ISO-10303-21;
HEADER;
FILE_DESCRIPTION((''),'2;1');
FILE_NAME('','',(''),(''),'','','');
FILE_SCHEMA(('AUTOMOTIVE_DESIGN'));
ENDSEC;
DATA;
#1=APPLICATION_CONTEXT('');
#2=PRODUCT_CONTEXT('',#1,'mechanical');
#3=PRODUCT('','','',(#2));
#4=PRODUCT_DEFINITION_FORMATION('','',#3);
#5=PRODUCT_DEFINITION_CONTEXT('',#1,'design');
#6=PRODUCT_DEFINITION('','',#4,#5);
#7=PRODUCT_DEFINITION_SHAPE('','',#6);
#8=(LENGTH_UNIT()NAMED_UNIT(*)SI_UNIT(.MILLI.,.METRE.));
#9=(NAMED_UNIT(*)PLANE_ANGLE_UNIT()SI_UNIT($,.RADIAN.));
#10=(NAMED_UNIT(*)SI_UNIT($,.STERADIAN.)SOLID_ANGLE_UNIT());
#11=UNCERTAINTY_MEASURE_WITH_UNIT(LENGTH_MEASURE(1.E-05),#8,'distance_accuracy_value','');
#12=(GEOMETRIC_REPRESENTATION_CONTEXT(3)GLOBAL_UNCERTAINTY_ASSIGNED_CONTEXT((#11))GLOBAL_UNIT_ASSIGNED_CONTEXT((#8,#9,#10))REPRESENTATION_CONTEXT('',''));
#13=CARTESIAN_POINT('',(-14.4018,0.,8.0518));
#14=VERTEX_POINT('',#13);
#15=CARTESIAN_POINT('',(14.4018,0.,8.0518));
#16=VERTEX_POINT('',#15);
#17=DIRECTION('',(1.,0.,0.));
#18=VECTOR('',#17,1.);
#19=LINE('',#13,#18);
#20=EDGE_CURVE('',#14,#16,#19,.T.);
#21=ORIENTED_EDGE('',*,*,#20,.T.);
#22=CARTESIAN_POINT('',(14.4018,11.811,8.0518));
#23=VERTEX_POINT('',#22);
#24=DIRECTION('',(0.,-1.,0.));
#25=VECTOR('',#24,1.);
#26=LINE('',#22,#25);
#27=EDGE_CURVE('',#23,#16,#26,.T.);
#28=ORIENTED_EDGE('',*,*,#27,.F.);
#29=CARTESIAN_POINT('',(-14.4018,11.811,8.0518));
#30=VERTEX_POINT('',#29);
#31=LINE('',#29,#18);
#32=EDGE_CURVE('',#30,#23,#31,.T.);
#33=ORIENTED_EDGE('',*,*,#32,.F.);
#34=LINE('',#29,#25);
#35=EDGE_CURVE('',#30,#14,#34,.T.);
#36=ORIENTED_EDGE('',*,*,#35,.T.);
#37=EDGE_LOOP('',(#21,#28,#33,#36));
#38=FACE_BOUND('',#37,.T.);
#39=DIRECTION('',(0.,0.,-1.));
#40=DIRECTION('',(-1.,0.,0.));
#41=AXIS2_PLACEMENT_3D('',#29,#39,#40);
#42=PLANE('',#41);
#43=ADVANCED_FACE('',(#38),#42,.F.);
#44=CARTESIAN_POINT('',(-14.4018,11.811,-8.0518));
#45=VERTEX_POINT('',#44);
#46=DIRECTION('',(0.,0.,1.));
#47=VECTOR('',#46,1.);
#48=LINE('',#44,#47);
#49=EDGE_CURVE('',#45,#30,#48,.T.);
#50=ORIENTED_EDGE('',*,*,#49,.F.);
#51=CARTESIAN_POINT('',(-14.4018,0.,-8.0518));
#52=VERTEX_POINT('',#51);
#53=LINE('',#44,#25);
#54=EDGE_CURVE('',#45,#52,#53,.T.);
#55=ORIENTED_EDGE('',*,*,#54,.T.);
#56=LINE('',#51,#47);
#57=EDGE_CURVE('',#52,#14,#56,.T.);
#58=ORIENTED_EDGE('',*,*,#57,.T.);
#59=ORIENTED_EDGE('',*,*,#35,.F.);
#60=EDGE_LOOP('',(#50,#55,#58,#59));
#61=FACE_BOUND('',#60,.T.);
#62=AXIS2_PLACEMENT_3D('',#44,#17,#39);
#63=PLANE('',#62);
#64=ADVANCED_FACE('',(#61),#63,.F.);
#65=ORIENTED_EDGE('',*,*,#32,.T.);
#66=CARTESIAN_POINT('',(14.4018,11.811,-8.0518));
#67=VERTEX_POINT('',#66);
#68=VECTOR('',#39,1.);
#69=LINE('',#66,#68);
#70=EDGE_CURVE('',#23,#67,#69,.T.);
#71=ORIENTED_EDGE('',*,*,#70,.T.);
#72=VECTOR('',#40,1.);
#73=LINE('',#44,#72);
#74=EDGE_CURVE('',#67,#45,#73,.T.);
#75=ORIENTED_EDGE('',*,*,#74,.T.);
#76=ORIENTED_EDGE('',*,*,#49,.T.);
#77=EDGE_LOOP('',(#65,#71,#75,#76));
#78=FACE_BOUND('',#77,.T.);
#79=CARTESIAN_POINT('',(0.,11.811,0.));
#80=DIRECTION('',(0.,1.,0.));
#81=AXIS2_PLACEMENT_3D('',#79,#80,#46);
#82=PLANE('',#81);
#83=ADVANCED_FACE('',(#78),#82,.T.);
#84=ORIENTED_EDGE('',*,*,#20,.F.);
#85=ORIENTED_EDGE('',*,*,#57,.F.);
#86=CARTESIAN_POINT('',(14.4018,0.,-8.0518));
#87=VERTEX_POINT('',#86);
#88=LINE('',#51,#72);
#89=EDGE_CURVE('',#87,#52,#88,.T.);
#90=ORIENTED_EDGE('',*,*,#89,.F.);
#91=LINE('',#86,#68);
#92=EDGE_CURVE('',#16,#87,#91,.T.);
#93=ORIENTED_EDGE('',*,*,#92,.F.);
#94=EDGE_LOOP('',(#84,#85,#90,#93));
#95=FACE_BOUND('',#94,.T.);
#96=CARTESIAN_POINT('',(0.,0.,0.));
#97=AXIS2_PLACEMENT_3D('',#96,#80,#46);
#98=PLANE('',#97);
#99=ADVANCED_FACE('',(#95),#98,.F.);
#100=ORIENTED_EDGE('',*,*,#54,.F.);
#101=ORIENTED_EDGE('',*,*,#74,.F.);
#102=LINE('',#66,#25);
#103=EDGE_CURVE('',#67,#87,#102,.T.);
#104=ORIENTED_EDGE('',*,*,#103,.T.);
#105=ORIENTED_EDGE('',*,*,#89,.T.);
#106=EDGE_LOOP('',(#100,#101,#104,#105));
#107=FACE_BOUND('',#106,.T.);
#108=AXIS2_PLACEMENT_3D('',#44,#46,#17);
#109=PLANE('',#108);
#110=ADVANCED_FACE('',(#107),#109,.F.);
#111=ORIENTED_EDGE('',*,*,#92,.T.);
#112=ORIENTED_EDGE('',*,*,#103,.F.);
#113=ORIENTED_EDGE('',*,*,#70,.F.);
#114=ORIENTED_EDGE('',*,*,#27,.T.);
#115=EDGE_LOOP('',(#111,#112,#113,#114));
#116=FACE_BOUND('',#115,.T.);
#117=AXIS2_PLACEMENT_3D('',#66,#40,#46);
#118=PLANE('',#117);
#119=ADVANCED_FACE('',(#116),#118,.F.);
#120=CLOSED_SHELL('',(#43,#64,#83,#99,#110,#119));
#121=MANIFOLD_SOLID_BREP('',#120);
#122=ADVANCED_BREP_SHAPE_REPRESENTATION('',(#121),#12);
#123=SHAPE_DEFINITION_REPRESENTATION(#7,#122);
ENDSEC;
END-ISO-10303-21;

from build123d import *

# Parameters (mm, degrees)
SKETCH1_W           = 28.8036
SKETCH1_H           = 16.1036
BOSS_EXTRUDE1_DEPTH = 11.811


with BuildPart() as part:
    # Sketch1 → Boss-Extrude1 (new body)
    with BuildSketch(Plane(origin=(0, 0, 0), x_dir=(1, 0, 0), z_dir=(0, 1, 0))):
        Rectangle(SKETCH1_W, SKETCH1_H)
    extrude(amount=BOSS_EXTRUDE1_DEPTH)


solid = part.part
